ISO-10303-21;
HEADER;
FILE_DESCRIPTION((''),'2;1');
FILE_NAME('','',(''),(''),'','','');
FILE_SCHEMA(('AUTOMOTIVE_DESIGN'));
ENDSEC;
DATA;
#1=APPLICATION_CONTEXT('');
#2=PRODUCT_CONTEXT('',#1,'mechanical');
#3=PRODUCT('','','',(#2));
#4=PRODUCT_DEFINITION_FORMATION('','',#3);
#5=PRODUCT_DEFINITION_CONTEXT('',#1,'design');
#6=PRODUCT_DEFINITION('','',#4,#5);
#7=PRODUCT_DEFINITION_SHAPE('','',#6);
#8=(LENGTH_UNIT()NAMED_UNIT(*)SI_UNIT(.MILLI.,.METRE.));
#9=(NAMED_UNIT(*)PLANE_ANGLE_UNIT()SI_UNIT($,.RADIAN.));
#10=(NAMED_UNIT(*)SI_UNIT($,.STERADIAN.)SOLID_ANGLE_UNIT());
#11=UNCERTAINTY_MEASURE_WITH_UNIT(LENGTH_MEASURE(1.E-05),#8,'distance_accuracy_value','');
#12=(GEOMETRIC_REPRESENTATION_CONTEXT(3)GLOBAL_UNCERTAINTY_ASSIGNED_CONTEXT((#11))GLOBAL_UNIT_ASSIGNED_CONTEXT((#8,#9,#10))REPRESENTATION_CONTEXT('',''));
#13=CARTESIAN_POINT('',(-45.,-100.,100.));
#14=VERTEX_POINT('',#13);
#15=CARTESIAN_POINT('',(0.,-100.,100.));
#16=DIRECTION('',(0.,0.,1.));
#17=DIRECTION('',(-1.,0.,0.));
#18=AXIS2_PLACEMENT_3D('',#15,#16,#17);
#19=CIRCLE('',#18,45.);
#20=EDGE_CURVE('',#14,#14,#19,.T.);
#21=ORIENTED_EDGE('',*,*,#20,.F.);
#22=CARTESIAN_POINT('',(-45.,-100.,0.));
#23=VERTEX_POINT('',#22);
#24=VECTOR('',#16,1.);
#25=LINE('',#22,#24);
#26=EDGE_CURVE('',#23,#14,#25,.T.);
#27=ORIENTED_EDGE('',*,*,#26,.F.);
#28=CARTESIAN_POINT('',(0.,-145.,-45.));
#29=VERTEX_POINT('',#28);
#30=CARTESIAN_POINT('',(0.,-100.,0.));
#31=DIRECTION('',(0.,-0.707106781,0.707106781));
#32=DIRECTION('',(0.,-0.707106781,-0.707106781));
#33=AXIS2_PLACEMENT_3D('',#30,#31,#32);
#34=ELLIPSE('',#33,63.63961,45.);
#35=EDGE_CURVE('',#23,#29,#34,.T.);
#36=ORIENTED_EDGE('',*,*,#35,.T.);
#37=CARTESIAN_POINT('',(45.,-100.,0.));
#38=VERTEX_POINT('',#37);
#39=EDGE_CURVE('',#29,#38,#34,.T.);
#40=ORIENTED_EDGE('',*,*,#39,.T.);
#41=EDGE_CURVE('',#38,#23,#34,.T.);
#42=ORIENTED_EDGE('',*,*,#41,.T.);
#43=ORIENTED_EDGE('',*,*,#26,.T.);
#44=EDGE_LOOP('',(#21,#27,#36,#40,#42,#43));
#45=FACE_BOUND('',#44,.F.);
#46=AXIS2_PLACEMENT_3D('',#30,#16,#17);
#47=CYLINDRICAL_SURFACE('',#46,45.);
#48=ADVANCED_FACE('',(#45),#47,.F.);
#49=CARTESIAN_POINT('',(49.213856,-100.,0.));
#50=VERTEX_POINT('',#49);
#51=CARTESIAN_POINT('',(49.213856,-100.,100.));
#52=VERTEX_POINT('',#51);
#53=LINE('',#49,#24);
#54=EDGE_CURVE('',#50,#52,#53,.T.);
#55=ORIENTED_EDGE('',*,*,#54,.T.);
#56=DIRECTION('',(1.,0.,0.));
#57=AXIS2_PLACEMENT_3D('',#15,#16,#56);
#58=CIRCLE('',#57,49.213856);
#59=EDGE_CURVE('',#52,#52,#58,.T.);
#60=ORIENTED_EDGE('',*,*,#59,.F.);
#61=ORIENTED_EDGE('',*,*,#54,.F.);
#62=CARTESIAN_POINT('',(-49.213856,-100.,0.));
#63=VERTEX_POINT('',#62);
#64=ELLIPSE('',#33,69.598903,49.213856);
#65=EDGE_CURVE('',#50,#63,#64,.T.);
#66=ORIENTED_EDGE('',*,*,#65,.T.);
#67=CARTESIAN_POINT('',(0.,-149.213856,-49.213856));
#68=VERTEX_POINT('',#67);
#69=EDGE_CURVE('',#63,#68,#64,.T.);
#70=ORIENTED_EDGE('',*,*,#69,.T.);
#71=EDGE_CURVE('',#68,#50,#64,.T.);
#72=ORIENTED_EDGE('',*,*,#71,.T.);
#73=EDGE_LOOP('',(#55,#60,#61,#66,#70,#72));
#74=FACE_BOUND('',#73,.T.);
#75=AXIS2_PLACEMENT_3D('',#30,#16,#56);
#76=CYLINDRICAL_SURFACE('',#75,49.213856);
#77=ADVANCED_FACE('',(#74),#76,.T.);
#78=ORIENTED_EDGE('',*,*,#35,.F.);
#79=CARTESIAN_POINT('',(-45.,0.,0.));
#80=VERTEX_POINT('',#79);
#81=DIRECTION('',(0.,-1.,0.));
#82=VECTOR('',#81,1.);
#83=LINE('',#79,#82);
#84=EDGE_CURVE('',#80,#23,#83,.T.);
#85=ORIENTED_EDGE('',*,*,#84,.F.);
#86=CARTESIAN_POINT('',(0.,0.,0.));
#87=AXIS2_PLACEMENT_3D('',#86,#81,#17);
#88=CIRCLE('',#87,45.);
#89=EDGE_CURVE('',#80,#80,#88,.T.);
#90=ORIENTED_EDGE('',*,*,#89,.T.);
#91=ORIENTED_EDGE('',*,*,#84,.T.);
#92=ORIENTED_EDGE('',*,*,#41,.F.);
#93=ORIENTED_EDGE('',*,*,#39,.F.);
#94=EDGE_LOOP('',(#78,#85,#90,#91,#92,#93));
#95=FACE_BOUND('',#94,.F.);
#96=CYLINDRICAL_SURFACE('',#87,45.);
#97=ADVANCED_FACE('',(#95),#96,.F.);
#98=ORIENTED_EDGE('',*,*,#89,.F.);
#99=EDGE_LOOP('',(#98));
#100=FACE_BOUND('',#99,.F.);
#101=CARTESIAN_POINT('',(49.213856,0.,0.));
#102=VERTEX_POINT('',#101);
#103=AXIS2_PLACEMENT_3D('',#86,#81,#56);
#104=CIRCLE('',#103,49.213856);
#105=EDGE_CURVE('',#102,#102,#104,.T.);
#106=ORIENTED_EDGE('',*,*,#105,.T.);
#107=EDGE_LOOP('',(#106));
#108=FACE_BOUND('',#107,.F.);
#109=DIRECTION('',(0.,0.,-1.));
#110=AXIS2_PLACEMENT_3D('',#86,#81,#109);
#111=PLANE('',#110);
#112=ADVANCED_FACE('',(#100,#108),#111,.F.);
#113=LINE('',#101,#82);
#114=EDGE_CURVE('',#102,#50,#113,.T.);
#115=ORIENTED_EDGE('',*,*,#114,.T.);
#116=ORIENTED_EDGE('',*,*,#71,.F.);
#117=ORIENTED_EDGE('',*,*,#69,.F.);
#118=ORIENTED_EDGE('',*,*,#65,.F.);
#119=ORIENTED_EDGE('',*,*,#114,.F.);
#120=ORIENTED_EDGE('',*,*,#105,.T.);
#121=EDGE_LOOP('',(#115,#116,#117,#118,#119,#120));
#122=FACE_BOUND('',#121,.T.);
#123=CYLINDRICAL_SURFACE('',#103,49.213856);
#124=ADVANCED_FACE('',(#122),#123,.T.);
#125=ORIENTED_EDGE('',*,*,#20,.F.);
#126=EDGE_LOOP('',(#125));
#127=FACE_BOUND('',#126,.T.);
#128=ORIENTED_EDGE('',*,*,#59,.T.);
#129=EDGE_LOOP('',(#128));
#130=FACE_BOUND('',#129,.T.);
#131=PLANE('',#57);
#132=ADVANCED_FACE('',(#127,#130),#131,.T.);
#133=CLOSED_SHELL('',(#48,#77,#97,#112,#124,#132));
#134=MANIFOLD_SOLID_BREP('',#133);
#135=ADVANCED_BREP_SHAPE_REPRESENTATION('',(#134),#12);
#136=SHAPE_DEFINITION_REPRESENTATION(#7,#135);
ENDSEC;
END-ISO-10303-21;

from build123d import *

# Parameters (mm, degrees)
F0_R = 49.2138560694
F3_R = 45


with BuildPart() as f2:
    # F2: sweep along a path in F1
    with BuildLine(Plane.YZ) as f2_path:
        Line((0, 0), (-100, 0))
        Line((-100, 0), (-100, 100))
    # F0 (on Front) → F2 (sweep)
    with BuildSketch(Plane.XZ):
        Circle(F0_R)
    sweep(path=f2_path.line, transition=Transition.RIGHT)

    # F5: sweep along a path in F4
    with BuildLine(Plane.YZ) as f5_path:
        Line((0, 0), (-100, 0))
        Line((-100, 0), (-100, 100))
    # F3 (on face) → F5 (sweep, cut)
    with BuildSketch(Plane(origin=(0, 0, 0), x_dir=(-1, 0, 0), z_dir=(0, 1, 0))):
        Circle(F3_R)
    sweep(path=f5_path.line, transition=Transition.RIGHT, mode=Mode.SUBTRACT)


solid = f2.part
